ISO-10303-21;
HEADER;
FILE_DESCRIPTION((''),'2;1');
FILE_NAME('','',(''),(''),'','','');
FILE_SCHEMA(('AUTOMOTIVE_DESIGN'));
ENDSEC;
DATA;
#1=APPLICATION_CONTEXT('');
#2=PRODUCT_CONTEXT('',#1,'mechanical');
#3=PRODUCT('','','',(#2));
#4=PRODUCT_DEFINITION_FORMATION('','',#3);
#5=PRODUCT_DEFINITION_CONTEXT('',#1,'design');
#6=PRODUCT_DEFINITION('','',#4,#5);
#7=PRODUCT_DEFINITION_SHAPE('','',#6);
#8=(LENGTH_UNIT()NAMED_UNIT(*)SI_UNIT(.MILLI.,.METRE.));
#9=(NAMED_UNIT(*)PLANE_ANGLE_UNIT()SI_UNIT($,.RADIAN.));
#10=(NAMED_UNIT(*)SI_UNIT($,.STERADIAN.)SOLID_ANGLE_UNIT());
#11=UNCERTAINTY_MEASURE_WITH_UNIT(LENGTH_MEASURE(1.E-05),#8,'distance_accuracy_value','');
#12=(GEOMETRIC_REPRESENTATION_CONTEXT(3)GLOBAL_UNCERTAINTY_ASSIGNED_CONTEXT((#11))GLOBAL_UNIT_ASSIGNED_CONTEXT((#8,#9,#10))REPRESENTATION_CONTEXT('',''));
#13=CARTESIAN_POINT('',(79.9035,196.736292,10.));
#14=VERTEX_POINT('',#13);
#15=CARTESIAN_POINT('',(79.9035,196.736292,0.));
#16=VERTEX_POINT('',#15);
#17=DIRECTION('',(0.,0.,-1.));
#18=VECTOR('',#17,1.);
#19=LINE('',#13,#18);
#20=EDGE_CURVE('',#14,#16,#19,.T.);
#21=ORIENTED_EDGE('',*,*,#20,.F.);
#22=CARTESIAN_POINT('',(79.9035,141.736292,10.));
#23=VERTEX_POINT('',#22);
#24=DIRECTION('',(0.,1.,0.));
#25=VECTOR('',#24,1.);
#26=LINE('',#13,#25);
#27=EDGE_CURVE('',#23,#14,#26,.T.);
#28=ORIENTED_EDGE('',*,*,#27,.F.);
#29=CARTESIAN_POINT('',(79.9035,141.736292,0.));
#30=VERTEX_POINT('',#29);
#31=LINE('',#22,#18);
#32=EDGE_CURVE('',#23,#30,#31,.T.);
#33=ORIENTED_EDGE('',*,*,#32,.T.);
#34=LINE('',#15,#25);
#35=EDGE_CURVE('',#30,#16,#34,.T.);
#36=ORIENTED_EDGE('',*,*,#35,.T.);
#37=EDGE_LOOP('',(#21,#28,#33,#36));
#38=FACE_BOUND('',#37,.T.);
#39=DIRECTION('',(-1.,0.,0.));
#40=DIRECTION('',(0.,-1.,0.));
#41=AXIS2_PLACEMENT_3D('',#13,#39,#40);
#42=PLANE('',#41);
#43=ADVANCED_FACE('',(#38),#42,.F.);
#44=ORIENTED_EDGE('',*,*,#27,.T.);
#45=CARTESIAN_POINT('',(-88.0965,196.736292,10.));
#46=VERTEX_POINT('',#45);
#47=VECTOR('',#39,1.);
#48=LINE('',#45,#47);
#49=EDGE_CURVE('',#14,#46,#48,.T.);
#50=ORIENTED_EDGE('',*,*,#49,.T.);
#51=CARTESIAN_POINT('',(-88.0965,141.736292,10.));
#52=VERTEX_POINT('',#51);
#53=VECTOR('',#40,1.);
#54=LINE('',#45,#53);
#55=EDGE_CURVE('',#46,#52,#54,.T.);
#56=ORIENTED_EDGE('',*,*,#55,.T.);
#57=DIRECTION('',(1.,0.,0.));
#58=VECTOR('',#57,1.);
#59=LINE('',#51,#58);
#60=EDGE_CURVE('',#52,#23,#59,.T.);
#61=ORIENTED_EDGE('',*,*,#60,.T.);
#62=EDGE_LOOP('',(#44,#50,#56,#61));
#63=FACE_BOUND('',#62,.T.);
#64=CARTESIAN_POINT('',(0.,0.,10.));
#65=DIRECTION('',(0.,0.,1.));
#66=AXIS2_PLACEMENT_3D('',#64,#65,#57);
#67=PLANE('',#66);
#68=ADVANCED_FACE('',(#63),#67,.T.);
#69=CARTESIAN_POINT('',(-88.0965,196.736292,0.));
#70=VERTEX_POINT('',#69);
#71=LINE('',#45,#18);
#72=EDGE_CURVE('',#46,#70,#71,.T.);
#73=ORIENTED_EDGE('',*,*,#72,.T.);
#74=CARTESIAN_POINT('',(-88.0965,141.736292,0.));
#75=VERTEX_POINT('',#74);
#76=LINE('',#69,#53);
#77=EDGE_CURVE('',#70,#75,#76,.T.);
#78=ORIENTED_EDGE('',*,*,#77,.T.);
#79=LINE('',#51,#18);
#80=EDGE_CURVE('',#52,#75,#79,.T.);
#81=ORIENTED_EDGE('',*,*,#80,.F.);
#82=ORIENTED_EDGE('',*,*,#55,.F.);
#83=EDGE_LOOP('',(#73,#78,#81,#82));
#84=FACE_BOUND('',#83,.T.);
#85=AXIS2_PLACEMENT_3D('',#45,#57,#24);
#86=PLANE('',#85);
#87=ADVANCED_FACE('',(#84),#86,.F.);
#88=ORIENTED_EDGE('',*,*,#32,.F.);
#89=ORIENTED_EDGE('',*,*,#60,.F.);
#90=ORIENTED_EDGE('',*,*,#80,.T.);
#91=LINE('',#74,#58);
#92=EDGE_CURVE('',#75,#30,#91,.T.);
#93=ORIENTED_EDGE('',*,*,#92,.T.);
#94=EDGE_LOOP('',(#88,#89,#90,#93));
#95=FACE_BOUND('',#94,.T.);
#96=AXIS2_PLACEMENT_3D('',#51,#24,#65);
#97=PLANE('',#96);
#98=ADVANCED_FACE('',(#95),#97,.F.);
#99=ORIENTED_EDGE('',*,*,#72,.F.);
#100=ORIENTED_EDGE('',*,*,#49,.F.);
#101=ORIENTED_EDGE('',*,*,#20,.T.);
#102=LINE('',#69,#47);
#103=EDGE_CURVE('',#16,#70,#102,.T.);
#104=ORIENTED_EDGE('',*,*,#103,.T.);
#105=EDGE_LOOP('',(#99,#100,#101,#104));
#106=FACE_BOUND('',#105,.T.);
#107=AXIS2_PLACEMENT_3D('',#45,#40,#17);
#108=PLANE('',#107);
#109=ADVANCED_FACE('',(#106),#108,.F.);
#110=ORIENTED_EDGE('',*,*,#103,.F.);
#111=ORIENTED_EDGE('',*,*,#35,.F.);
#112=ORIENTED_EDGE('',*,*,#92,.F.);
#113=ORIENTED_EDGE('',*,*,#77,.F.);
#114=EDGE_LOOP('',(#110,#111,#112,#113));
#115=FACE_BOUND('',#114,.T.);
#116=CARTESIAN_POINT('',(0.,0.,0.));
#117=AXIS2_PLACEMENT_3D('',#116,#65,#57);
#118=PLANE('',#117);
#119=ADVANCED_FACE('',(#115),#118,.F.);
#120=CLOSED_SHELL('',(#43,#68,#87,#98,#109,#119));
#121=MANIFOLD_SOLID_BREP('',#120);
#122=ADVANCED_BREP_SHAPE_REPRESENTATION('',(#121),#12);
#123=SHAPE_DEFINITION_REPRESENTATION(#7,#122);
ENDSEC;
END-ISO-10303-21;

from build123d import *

# Parameters (mm, degrees)
ESQUISSE1_W        = 168
ESQUISSE1_H        = 55
BOSS_EXTRU_1_DEPTH = 10


with BuildPart() as part:
    # Esquisse1 → Boss.-Extru.1 (new body)
    with BuildSketch(Plane.XY):
        with Locations((-4.096499894, 169.236292428)):
            Rectangle(ESQUISSE1_W, ESQUISSE1_H)
    extrude(amount=BOSS_EXTRU_1_DEPTH)


solid = part.part
